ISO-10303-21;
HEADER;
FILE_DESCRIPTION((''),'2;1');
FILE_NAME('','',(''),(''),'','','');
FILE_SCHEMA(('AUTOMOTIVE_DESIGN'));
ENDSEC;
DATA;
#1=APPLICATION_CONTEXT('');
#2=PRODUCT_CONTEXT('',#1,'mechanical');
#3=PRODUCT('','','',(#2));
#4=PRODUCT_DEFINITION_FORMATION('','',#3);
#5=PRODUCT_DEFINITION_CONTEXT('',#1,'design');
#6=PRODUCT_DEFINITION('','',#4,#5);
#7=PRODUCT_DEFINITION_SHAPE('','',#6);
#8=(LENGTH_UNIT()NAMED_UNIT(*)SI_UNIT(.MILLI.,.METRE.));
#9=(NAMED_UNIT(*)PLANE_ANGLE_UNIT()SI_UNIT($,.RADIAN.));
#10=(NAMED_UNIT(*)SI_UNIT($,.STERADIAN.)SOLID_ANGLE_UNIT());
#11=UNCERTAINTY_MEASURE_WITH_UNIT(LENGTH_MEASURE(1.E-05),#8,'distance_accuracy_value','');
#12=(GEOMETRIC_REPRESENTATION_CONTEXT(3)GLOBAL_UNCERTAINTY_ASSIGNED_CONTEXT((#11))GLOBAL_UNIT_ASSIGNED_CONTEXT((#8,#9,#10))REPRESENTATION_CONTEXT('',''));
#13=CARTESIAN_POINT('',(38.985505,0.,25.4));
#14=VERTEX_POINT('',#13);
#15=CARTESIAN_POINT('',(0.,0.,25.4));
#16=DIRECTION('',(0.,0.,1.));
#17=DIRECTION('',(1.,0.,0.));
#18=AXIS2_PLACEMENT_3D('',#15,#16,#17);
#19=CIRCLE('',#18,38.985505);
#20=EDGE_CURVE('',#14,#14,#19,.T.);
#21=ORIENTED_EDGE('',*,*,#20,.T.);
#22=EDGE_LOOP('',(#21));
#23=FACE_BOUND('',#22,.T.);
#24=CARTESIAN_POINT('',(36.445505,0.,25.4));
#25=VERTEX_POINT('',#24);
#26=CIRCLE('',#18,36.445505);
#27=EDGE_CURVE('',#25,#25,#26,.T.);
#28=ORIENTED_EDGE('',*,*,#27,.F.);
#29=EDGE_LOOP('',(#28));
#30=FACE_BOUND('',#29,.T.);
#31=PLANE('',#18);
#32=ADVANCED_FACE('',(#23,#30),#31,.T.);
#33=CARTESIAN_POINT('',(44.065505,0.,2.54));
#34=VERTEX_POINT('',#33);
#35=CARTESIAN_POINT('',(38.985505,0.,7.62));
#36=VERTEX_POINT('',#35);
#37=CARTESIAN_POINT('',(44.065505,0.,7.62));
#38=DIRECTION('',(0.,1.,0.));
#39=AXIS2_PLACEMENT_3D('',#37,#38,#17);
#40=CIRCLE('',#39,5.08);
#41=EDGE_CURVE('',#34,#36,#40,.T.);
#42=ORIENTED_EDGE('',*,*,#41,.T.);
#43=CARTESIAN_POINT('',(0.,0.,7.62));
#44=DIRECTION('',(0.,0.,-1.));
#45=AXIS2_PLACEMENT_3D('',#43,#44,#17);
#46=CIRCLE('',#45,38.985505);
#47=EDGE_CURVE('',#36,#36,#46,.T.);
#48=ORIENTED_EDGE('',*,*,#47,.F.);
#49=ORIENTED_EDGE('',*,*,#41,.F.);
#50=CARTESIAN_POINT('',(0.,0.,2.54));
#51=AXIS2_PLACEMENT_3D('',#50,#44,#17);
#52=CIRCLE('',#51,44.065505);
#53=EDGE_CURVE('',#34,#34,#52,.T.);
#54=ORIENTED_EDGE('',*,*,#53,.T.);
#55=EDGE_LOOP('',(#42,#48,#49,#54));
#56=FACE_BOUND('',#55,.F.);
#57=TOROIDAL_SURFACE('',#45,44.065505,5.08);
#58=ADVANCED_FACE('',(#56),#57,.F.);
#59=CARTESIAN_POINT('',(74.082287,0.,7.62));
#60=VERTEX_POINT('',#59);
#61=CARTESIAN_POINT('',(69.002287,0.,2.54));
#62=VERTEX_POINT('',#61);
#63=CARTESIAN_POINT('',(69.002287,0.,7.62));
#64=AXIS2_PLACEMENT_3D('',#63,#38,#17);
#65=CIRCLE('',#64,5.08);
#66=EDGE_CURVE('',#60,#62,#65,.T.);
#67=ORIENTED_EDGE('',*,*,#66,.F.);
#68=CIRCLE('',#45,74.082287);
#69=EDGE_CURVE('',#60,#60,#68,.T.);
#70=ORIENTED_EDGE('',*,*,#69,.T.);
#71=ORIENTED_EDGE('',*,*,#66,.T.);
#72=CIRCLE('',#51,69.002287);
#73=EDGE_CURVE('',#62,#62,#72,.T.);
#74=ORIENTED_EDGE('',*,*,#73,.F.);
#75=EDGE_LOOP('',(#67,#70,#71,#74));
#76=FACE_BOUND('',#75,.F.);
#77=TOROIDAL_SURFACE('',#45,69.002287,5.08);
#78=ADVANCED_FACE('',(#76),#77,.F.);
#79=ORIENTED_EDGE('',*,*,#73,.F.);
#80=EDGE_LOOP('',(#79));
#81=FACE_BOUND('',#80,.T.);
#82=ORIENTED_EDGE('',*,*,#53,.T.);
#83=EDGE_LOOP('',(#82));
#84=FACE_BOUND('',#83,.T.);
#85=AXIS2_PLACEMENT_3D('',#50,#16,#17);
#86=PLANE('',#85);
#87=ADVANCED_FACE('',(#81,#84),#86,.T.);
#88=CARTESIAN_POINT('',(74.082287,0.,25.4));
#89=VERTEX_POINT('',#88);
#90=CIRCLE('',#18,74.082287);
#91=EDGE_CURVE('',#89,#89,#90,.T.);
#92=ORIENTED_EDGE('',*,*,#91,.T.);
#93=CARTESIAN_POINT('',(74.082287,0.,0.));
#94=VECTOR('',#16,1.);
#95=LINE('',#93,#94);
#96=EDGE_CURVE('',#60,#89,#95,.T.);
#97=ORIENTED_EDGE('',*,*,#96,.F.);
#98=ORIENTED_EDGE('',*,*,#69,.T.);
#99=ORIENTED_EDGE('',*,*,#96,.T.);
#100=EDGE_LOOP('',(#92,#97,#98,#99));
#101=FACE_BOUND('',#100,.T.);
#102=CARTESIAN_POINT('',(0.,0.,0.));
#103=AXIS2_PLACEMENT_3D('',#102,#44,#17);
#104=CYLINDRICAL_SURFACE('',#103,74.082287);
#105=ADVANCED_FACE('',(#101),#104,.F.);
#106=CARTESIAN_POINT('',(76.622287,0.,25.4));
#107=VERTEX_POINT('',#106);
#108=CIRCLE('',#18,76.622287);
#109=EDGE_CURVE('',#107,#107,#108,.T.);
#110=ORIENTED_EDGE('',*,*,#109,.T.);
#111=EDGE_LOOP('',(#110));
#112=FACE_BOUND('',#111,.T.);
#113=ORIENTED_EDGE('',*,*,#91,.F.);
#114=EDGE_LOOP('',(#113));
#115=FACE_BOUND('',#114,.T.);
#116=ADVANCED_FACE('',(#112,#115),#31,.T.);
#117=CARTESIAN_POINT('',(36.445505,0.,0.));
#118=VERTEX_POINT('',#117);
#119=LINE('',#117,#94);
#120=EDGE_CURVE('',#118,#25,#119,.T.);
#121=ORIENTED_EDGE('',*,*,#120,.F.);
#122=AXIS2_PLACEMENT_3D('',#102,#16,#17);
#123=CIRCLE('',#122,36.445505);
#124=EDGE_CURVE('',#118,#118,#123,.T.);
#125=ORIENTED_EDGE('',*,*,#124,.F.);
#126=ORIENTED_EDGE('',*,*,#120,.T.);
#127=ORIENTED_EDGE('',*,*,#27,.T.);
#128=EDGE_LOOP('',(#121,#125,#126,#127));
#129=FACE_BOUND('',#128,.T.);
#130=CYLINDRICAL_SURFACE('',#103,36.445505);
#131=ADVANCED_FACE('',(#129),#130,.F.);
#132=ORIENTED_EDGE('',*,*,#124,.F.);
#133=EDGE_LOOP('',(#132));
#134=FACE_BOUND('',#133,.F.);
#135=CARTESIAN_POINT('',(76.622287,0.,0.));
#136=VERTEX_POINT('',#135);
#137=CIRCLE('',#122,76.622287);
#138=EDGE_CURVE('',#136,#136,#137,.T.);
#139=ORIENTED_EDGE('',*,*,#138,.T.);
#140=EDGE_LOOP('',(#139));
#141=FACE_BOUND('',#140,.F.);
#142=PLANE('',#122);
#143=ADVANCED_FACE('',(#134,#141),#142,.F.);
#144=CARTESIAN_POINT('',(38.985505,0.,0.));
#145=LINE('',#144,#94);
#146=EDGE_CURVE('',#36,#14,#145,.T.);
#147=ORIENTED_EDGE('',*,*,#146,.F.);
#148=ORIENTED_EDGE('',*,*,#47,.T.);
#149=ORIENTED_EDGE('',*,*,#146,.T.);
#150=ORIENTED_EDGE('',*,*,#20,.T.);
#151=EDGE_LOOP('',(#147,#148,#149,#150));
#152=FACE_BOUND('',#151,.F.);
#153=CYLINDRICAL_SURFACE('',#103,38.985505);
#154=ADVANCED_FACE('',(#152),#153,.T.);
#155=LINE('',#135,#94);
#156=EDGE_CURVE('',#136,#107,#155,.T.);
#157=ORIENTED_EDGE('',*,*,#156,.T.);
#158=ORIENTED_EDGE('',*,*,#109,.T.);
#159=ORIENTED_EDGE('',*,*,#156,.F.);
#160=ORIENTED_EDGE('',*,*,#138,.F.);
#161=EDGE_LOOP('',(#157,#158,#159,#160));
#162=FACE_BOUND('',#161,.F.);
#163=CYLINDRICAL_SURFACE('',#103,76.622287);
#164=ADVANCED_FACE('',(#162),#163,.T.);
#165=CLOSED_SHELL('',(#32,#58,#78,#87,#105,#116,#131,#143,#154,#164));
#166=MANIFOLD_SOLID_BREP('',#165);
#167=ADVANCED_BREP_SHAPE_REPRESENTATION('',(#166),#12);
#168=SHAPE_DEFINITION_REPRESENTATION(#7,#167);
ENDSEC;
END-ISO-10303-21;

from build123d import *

# Parameters (mm, degrees)
F0_R     = 76.6222869854
F0_R_2   = 36.4455054166
F1_DEPTH = 25.4
F2_T     = -2.54
F3_R     = 5.08


with BuildPart() as f1:
    # F0 (on Top) → F1 (new body)
    with BuildSketch(Plane.XY):
        Circle(F0_R)
        Circle(F0_R_2, mode=Mode.SUBTRACT)
    extrude(amount=F1_DEPTH)

    # F2
    f2_openings = [f1.faces().sort_by_distance(p)[0] for p in [
        (-74.455081, 0, 25.4),
    ]]
    offset(amount=F2_T, openings=f2_openings)

    # F3
    f3_edges = [f1.edges().sort_by_distance(p)[0] for p in [
        (-74.082287, 0, 2.54),
        (-38.985505, 0, 2.54),
    ]]
    fillet(f3_edges, radius=F3_R)


solid = f1.part
